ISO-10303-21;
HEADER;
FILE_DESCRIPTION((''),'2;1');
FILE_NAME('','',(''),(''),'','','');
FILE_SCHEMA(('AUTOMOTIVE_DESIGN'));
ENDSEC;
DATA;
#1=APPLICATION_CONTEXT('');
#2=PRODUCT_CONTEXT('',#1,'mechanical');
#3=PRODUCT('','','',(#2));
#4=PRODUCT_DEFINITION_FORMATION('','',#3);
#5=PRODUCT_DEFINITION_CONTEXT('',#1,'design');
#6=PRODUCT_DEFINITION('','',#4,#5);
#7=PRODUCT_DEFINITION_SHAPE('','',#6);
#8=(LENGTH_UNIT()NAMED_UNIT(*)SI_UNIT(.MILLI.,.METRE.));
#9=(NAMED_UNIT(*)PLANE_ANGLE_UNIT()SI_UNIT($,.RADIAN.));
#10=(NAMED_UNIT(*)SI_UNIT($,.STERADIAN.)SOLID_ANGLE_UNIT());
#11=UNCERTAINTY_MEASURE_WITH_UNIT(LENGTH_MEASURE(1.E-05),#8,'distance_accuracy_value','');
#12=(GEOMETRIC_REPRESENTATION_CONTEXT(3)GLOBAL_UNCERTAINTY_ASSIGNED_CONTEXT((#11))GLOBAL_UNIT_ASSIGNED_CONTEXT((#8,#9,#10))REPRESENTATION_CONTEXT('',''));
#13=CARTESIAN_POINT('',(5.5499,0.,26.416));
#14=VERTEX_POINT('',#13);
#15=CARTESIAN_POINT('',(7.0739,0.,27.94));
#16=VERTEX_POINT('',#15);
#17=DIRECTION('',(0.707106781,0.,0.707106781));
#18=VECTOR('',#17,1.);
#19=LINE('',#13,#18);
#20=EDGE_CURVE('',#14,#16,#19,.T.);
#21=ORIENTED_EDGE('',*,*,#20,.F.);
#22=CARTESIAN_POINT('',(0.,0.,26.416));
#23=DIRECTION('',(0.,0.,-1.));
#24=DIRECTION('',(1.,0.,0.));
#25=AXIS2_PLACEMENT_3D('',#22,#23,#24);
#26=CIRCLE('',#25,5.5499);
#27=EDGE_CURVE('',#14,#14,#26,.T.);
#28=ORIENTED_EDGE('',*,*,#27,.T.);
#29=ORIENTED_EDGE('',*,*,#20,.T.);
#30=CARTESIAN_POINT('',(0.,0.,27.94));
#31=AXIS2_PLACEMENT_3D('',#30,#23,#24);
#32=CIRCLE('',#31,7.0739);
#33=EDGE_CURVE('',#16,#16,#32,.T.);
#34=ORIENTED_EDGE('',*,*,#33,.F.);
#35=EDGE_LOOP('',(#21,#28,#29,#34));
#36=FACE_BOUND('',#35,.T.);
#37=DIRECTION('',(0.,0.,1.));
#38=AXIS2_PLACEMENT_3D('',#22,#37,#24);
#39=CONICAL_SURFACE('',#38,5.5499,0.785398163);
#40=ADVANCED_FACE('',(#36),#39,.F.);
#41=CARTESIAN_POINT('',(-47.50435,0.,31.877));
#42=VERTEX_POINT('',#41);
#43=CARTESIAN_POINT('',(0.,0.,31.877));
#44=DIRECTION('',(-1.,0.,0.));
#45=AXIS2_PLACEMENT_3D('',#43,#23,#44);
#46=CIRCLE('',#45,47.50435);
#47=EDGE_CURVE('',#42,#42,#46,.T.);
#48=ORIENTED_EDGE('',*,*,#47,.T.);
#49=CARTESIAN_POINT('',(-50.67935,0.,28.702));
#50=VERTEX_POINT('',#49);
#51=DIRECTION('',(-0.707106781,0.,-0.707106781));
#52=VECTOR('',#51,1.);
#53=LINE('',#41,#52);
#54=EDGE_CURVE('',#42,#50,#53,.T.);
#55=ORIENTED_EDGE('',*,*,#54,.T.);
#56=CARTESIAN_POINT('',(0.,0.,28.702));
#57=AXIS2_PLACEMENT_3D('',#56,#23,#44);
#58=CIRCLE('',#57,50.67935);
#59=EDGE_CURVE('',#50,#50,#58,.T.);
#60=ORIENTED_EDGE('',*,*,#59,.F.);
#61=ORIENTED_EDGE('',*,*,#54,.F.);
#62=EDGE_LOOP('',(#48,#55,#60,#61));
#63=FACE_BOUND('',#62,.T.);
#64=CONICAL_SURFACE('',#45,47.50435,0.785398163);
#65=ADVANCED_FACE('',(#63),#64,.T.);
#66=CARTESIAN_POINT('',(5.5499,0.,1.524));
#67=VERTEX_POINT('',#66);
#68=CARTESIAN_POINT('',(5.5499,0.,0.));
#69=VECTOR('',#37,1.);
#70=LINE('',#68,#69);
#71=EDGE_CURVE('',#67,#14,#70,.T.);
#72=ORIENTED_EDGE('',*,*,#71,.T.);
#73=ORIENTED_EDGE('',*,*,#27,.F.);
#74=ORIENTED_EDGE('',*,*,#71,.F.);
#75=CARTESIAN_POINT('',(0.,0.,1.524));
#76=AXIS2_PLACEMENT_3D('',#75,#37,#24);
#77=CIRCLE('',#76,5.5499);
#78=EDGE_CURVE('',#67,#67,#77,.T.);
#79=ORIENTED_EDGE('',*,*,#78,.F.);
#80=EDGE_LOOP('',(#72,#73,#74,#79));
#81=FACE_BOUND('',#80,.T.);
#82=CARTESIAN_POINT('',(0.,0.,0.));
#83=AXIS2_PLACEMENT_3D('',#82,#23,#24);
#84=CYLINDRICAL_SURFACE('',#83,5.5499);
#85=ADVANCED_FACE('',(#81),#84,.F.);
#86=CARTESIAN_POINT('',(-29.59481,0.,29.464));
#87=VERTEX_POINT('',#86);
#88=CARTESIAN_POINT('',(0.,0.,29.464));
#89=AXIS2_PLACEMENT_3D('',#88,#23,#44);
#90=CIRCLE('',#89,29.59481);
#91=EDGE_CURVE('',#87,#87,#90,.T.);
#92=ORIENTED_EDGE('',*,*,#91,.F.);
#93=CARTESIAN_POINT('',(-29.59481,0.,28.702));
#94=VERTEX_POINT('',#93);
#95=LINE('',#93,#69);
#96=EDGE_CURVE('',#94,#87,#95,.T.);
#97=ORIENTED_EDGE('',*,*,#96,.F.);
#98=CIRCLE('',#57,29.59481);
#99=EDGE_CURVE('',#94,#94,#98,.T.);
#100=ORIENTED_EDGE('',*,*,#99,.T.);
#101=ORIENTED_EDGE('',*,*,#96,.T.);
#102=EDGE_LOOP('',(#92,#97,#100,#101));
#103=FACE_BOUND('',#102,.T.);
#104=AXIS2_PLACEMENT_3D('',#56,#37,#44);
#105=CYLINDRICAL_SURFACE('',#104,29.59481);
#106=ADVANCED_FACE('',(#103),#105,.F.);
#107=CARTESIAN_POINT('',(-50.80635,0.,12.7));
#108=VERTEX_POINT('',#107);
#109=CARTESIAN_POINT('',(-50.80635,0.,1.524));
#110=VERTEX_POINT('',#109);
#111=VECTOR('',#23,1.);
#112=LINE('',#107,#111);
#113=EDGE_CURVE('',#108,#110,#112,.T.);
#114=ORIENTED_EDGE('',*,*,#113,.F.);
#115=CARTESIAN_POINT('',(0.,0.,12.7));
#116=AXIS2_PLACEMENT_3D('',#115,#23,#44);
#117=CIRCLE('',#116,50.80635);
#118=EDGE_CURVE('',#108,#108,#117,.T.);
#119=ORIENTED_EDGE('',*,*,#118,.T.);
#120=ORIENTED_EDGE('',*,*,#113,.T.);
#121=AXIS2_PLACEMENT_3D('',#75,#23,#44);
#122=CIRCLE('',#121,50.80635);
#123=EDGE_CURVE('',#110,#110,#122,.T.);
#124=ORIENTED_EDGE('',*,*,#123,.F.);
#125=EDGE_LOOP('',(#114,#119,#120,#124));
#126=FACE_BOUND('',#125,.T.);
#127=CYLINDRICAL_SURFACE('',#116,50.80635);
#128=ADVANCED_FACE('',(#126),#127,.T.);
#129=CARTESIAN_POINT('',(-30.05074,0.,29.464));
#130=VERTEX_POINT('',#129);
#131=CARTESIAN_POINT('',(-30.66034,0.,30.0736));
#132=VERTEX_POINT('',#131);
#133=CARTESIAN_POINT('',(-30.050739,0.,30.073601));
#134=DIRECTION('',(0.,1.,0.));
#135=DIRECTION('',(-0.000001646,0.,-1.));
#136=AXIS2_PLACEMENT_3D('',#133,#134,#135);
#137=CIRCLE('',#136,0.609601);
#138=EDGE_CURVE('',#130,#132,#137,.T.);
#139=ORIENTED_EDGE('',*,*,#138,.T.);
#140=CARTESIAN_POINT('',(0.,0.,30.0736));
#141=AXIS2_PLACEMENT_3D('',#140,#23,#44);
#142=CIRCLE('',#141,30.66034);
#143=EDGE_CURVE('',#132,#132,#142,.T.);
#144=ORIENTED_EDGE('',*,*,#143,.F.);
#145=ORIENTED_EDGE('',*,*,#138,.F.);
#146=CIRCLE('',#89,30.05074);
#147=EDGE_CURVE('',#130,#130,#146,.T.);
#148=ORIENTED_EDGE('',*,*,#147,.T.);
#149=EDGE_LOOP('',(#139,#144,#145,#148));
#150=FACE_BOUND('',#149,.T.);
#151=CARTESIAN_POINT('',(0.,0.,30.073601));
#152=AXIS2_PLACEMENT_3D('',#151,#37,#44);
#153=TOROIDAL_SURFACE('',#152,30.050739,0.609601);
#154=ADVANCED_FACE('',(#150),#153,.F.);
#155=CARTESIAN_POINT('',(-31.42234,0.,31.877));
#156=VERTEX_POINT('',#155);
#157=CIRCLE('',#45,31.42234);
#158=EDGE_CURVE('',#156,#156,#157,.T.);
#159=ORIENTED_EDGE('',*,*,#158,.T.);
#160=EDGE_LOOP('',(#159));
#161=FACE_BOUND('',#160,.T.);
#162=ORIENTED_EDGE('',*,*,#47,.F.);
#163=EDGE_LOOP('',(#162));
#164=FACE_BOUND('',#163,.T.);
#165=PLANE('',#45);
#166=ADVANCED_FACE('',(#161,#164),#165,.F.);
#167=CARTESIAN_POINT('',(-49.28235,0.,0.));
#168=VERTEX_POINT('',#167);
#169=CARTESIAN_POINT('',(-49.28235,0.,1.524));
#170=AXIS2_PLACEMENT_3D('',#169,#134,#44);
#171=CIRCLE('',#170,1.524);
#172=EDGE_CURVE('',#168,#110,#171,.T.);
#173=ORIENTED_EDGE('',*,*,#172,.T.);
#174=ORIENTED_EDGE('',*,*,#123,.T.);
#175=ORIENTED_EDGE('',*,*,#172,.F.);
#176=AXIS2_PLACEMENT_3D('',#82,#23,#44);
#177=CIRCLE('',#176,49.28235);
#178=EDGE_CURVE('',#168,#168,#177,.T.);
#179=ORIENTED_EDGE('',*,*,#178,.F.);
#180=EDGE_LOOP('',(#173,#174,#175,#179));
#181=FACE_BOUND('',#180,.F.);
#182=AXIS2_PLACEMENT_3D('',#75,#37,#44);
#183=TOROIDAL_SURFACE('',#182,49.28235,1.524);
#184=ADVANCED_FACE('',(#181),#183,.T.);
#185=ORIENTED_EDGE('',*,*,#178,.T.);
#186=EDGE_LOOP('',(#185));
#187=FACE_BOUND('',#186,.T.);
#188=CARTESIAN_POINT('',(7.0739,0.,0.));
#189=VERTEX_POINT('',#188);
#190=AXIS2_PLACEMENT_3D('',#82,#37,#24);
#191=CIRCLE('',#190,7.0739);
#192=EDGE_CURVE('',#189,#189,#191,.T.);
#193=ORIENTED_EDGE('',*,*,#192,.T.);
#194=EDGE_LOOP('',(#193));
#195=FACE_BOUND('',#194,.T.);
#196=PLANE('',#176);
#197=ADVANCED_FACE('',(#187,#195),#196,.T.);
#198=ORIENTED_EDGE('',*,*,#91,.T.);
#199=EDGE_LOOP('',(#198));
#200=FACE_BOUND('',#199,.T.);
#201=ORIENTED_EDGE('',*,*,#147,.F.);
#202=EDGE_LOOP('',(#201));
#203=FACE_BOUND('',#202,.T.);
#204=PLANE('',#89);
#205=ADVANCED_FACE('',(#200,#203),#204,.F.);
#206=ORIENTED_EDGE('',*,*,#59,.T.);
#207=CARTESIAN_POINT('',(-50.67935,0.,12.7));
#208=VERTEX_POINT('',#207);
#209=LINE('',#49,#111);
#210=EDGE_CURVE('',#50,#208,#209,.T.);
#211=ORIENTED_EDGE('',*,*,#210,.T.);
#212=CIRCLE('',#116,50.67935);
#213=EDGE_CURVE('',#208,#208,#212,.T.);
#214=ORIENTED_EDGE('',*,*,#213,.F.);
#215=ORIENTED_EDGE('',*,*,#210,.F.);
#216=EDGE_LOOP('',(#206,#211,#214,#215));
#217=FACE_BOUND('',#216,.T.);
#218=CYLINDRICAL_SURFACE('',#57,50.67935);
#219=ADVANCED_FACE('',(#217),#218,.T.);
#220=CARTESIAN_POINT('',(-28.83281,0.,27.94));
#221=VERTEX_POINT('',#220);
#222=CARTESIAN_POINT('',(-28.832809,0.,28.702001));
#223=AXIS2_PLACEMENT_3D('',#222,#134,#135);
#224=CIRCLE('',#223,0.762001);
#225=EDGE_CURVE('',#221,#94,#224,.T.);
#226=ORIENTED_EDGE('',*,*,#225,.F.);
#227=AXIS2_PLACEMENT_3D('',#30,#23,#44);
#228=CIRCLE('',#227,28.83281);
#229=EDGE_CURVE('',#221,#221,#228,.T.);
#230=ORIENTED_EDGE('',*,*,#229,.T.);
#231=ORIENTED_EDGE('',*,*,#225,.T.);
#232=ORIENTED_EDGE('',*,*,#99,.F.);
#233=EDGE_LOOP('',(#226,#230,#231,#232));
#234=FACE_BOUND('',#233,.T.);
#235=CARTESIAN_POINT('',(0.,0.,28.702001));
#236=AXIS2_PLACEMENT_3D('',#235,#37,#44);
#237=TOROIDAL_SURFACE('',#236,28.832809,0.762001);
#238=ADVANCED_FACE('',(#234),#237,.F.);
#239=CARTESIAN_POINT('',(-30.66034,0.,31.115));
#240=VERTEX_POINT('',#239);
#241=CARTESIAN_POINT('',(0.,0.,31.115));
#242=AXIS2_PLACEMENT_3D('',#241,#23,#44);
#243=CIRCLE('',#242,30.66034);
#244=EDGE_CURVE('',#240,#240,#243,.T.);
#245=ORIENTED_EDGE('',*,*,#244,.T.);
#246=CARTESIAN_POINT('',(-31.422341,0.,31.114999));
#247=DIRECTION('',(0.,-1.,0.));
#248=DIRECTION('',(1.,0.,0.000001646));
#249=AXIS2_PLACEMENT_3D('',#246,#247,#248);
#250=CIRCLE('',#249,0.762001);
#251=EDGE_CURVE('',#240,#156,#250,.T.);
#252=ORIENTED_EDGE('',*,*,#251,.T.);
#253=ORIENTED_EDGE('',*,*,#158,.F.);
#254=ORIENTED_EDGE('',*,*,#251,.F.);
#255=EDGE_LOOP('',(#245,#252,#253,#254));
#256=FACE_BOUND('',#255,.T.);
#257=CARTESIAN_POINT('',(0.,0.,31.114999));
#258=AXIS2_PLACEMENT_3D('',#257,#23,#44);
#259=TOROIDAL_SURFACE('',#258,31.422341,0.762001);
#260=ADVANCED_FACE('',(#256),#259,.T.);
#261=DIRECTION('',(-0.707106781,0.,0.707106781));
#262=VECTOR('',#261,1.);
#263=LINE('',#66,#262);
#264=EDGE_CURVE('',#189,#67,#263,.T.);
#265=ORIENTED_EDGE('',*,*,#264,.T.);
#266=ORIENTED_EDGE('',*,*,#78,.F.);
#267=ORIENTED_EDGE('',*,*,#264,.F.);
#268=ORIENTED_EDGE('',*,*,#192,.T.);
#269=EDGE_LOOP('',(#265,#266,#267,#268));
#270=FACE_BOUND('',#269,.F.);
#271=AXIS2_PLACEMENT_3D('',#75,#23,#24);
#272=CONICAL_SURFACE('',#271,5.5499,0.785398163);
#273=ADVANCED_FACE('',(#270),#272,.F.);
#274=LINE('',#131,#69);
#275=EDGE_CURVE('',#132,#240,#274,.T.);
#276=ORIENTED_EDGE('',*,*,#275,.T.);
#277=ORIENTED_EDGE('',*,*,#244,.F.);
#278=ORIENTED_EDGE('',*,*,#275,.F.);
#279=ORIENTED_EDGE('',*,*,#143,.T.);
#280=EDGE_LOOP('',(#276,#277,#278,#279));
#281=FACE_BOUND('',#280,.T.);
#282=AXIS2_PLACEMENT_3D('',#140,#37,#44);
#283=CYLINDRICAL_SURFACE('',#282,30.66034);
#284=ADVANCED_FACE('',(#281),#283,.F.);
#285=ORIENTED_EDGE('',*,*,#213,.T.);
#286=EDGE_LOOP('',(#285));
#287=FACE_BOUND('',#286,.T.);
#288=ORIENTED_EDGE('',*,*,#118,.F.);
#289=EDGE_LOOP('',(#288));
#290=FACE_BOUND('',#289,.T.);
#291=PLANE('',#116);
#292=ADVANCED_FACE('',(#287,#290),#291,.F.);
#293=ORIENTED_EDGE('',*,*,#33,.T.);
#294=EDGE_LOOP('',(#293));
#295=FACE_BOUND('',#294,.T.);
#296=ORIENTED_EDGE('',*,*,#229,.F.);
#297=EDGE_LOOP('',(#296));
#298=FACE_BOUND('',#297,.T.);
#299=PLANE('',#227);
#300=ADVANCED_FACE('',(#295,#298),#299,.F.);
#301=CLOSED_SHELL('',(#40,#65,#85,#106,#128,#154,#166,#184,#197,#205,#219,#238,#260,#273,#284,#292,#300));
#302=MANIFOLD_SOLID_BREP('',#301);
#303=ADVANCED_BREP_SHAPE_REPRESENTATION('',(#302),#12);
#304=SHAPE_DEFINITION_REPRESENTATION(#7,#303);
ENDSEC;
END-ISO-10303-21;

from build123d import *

# Parameters (mm, degrees)
F2_R     = 5.5499
F3_DEPTH = 31.878
F4_SIZE  = 1.524
F5_R     = 1.524


with BuildPart() as f1:
    # F0 (on Front) → F1 (revolve)
    with BuildSketch(Plane.XZ):
        with BuildLine():
            Line((-50.80635, 0), (0, 0))
            Line((0, 0), (0, 27.94))
            Line((0, 27.94), (-28.83281, 27.94))
            ThreePointArc((-28.83281, 27.94), (-29.371625, 28.163185), (-29.59481, 28.702))
            Line((-29.59481, 28.702), (-29.59481, 29.464))
            Line((-29.59481, 29.464), (-30.05074, 29.464))
            ThreePointArc((-30.05074, 29.464), (-30.481792, 29.642548), (-30.66034, 30.0736))
            Line((-30.66034, 30.0736), (-30.66034, 31.115))
            ThreePointArc((-30.66034, 31.115), (-30.883525, 31.653815), (-31.42234, 31.877))
            Line((-31.42234, 31.877), (-47.50435, 31.877))
            Line((-47.50435, 31.877), (-50.67935, 28.702))
            Line((-50.67935, 28.702), (-50.67935, 12.7))
            Line((-50.67935, 12.7), (-50.80635, 12.7))
            Line((-50.80635, 12.7), (-50.80635, 0))
        make_face()
    revolve(axis=Axis((0, 0, 13.97), (0, 0, -1)))

    # F2 (on Top) → F3 (cut, through all)
    with BuildSketch(Plane.XY):
        Circle(F2_R)
    extrude(amount=F3_DEPTH, mode=Mode.SUBTRACT)

    # F4
    f4_edges = [f1.edges().sort_by_distance(p)[0] for p in [
        (-5.5499, 0, 27.94),
        (-5.5499, 0, 0),
    ]]
    chamfer(f4_edges, length=F4_SIZE)

    # F5
    f5_edges = [f1.edges().sort_by_distance(p)[0] for p in [
        (50.80635, 0, 0),
    ]]
    fillet(f5_edges, radius=F5_R)


solid = f1.part
